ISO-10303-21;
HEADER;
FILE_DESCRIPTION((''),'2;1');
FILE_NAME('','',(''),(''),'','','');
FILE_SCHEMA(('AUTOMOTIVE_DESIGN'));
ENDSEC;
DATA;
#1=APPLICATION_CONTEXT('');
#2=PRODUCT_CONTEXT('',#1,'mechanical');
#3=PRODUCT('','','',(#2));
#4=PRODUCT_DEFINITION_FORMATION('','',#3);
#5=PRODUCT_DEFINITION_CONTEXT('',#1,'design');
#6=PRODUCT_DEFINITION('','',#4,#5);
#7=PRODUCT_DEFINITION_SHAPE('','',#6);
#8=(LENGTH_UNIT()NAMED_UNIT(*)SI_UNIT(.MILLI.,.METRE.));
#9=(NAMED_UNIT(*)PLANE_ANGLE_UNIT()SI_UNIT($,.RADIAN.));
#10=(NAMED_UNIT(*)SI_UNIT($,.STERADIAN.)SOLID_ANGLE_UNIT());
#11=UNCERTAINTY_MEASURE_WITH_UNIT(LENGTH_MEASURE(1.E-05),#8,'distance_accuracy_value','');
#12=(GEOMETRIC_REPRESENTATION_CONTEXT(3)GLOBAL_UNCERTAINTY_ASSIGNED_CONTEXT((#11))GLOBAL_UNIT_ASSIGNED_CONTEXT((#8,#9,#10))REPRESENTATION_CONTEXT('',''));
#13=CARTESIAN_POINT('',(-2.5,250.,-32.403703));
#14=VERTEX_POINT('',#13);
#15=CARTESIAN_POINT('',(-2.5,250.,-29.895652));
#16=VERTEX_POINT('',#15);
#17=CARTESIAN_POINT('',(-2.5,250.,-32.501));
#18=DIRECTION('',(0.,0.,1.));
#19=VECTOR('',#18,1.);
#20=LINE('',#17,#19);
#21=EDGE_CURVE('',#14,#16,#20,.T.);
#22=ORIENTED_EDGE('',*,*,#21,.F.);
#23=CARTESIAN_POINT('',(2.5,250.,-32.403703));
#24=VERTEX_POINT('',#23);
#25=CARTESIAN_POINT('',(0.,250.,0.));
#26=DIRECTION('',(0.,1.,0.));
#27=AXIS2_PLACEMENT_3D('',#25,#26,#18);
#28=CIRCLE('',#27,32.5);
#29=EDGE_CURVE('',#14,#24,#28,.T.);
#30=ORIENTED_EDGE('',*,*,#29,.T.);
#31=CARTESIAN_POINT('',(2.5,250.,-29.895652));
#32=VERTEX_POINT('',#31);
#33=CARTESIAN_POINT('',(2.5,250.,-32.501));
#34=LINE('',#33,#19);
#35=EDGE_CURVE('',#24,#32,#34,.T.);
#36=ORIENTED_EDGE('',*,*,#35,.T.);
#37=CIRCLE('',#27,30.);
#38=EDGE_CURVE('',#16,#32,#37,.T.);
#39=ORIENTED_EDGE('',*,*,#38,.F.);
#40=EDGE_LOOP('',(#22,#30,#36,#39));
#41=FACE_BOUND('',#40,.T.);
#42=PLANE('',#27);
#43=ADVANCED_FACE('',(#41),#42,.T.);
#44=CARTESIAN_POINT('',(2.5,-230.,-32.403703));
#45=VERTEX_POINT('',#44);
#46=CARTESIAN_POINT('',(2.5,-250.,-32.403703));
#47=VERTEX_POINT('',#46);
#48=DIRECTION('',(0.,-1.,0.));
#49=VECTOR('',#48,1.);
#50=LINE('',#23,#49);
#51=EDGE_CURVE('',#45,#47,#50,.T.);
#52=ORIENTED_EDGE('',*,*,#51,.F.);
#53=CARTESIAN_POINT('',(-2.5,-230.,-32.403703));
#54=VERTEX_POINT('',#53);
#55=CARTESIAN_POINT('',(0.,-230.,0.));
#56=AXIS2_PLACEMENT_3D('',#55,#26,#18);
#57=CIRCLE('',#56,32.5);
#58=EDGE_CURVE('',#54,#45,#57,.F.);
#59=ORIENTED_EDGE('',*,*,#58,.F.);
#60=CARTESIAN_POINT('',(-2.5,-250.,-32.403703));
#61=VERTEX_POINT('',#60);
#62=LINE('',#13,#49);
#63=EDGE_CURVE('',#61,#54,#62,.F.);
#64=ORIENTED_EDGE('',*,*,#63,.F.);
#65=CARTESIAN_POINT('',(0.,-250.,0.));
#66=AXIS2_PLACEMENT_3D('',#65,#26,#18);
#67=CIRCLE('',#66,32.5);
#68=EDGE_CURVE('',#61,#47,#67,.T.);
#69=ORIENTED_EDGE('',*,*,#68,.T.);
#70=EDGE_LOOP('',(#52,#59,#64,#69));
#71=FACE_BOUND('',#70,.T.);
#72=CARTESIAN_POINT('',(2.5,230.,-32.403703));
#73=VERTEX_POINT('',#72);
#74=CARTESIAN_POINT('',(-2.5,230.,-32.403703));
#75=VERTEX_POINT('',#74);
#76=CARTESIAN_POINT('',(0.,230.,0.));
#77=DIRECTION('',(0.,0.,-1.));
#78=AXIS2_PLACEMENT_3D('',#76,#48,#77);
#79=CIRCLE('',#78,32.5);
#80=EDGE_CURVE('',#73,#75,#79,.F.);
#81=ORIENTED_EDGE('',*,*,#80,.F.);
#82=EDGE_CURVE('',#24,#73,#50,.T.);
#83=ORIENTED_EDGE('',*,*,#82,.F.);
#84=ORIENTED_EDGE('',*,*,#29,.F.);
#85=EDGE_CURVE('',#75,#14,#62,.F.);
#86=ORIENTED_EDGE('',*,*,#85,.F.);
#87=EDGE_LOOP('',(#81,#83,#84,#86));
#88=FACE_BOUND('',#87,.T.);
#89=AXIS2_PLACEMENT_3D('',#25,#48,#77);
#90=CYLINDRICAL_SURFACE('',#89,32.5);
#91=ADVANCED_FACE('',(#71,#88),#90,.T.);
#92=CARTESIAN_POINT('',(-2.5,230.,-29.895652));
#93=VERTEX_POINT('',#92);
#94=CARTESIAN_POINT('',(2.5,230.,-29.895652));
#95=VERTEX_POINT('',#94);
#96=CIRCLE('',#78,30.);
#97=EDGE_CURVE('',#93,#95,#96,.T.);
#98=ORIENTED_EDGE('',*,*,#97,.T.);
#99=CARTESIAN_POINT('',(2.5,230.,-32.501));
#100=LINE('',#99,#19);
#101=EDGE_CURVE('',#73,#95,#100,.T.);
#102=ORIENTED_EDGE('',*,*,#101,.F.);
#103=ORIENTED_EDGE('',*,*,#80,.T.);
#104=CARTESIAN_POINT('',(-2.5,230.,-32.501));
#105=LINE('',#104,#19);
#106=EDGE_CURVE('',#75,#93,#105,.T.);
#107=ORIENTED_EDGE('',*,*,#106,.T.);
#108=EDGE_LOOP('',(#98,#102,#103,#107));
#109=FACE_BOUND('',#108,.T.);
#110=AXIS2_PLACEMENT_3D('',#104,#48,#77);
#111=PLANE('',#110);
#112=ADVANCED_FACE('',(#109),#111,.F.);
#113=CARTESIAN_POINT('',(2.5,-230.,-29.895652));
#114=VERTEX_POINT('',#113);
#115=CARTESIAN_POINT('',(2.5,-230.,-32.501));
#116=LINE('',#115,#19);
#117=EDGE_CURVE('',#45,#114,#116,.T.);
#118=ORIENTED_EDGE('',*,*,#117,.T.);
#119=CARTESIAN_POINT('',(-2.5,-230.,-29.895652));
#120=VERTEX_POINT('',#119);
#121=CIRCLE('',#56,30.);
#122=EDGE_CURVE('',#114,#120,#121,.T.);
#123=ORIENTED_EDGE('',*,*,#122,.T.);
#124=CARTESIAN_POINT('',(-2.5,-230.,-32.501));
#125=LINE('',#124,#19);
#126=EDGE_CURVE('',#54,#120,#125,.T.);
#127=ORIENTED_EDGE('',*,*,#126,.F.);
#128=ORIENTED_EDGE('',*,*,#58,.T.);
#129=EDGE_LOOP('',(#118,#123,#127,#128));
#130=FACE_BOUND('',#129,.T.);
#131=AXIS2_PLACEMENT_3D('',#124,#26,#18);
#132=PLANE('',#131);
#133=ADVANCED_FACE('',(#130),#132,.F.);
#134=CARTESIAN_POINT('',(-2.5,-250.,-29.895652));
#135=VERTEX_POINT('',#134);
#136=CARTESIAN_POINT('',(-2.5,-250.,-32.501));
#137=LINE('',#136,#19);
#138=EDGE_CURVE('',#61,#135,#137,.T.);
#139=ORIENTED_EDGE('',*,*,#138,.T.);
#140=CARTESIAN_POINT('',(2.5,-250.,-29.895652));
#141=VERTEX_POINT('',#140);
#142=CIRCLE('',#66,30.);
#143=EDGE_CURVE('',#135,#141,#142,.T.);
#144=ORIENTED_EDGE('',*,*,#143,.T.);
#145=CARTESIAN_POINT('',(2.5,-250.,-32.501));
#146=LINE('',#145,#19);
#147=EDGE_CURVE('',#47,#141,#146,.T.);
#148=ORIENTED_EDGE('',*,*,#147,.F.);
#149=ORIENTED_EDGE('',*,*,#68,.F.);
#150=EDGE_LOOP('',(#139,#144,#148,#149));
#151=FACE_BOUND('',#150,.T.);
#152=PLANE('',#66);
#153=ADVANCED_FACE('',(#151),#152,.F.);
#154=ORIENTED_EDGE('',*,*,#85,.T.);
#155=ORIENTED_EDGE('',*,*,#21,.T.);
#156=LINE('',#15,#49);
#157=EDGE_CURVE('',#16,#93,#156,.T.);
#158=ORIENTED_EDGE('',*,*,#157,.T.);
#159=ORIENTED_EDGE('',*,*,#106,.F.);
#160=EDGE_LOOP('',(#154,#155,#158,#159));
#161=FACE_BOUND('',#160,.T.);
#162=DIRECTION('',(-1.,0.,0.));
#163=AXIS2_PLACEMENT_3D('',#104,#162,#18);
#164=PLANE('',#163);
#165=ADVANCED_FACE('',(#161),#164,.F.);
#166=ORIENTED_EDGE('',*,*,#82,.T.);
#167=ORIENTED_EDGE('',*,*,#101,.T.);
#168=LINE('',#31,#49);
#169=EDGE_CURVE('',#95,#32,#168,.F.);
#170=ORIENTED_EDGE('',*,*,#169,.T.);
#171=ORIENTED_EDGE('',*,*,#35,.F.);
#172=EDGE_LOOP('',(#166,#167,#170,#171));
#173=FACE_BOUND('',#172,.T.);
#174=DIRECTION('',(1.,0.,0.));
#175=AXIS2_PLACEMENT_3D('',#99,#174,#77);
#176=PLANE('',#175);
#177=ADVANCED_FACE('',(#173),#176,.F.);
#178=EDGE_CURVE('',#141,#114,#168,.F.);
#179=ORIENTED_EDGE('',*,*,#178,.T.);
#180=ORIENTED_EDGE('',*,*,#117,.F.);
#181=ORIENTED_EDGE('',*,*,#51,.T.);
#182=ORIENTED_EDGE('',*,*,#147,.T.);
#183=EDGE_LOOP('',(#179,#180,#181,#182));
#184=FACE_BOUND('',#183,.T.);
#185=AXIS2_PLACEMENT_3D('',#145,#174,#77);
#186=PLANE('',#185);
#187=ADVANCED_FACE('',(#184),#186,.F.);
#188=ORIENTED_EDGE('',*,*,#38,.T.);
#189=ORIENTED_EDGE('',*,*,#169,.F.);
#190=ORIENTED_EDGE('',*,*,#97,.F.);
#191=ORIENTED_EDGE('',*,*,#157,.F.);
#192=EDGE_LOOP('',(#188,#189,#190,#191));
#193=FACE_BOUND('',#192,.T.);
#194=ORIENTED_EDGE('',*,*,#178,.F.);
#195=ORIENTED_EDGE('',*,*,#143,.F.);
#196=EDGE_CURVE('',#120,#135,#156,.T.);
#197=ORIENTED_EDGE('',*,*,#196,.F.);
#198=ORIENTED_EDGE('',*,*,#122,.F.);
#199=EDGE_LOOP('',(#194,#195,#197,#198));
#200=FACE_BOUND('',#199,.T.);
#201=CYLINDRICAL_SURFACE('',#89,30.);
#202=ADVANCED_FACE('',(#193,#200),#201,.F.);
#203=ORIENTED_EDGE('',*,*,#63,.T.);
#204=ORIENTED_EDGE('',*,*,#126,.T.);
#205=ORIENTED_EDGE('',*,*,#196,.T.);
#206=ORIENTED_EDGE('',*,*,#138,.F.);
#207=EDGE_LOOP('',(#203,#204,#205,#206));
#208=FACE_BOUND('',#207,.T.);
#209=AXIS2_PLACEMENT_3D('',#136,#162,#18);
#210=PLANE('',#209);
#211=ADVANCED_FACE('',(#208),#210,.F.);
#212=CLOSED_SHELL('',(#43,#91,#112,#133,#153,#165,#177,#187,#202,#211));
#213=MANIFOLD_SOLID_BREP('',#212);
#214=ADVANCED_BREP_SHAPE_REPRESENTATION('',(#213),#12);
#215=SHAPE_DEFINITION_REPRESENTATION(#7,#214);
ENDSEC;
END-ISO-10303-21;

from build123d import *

# Parameters (mm, degrees)
CROQUIS1_R                 = 32.5
CROQUIS1_R_2               = 30
SALIENTE_EXTRUIR1_DEPTH    = 250
CORTAR_EXTRUIR1_REACH      = 256.19
CORTAR_EXTRUIR1_END_RADIUS = 32.5
CROQUIS2_W                 = 5
CROQUIS2_H                 = 20


with BuildPart() as part:
    # Croquis1 → Saliente-Extruir1 (new, symmetric)
    with BuildSketch(Plane(origin=(0, 0, 0), x_dir=(1, 0, 0), z_dir=(0, 1, 0))):
        with Locations(Location((0, 0, 0), (0, 0, 270))):
            Circle(CROQUIS1_R)
        with Locations(Location((0, 0, 0), (0, 0, 270))):
            Circle(CROQUIS1_R_2, mode=Mode.SUBTRACT)
    extrude(amount=SALIENTE_EXTRUIR1_DEPTH, both=True)

    # Cortar-Extruir1: up to this cylinder (the profile starts inside it)
    cortar_extruir1_end = Plane(origin=(0, 0, 0), z_dir=(0, -1, 0)) * Cylinder(CORTAR_EXTRUIR1_END_RADIUS, 1058.38, mode=Mode.PRIVATE)
    # Croquis2 → Cortar-Extruir1 (cut, up to the surface)
    with BuildSketch(Plane.XY, mode=Mode.PRIVATE) as cortar_extruir1_sk1:
        with Locations((0, -240)):
            Rectangle(CROQUIS2_W, CROQUIS2_H)
    cortar_extruir1_tool1 = extrude(cortar_extruir1_sk1.sketch, amount=-CORTAR_EXTRUIR1_REACH, mode=Mode.PRIVATE) & cortar_extruir1_end
    add(cortar_extruir1_tool1.solids().sort_by_distance((0, -240, 0))[0], mode=Mode.SUBTRACT)
    # Croquis2 → Cortar-Extruir1 (cut, up to the surface)
    with BuildSketch(Plane.XY, mode=Mode.PRIVATE) as cortar_extruir1_sk2:
        with Locations((0, 240)):
            Rectangle(CROQUIS2_W, CROQUIS2_H)
    cortar_extruir1_tool2 = extrude(cortar_extruir1_sk2.sketch, amount=-CORTAR_EXTRUIR1_REACH, mode=Mode.PRIVATE) & cortar_extruir1_end
    add(cortar_extruir1_tool2.solids().sort_by_distance((0, 240, 0))[0], mode=Mode.SUBTRACT)


solid = part.part
